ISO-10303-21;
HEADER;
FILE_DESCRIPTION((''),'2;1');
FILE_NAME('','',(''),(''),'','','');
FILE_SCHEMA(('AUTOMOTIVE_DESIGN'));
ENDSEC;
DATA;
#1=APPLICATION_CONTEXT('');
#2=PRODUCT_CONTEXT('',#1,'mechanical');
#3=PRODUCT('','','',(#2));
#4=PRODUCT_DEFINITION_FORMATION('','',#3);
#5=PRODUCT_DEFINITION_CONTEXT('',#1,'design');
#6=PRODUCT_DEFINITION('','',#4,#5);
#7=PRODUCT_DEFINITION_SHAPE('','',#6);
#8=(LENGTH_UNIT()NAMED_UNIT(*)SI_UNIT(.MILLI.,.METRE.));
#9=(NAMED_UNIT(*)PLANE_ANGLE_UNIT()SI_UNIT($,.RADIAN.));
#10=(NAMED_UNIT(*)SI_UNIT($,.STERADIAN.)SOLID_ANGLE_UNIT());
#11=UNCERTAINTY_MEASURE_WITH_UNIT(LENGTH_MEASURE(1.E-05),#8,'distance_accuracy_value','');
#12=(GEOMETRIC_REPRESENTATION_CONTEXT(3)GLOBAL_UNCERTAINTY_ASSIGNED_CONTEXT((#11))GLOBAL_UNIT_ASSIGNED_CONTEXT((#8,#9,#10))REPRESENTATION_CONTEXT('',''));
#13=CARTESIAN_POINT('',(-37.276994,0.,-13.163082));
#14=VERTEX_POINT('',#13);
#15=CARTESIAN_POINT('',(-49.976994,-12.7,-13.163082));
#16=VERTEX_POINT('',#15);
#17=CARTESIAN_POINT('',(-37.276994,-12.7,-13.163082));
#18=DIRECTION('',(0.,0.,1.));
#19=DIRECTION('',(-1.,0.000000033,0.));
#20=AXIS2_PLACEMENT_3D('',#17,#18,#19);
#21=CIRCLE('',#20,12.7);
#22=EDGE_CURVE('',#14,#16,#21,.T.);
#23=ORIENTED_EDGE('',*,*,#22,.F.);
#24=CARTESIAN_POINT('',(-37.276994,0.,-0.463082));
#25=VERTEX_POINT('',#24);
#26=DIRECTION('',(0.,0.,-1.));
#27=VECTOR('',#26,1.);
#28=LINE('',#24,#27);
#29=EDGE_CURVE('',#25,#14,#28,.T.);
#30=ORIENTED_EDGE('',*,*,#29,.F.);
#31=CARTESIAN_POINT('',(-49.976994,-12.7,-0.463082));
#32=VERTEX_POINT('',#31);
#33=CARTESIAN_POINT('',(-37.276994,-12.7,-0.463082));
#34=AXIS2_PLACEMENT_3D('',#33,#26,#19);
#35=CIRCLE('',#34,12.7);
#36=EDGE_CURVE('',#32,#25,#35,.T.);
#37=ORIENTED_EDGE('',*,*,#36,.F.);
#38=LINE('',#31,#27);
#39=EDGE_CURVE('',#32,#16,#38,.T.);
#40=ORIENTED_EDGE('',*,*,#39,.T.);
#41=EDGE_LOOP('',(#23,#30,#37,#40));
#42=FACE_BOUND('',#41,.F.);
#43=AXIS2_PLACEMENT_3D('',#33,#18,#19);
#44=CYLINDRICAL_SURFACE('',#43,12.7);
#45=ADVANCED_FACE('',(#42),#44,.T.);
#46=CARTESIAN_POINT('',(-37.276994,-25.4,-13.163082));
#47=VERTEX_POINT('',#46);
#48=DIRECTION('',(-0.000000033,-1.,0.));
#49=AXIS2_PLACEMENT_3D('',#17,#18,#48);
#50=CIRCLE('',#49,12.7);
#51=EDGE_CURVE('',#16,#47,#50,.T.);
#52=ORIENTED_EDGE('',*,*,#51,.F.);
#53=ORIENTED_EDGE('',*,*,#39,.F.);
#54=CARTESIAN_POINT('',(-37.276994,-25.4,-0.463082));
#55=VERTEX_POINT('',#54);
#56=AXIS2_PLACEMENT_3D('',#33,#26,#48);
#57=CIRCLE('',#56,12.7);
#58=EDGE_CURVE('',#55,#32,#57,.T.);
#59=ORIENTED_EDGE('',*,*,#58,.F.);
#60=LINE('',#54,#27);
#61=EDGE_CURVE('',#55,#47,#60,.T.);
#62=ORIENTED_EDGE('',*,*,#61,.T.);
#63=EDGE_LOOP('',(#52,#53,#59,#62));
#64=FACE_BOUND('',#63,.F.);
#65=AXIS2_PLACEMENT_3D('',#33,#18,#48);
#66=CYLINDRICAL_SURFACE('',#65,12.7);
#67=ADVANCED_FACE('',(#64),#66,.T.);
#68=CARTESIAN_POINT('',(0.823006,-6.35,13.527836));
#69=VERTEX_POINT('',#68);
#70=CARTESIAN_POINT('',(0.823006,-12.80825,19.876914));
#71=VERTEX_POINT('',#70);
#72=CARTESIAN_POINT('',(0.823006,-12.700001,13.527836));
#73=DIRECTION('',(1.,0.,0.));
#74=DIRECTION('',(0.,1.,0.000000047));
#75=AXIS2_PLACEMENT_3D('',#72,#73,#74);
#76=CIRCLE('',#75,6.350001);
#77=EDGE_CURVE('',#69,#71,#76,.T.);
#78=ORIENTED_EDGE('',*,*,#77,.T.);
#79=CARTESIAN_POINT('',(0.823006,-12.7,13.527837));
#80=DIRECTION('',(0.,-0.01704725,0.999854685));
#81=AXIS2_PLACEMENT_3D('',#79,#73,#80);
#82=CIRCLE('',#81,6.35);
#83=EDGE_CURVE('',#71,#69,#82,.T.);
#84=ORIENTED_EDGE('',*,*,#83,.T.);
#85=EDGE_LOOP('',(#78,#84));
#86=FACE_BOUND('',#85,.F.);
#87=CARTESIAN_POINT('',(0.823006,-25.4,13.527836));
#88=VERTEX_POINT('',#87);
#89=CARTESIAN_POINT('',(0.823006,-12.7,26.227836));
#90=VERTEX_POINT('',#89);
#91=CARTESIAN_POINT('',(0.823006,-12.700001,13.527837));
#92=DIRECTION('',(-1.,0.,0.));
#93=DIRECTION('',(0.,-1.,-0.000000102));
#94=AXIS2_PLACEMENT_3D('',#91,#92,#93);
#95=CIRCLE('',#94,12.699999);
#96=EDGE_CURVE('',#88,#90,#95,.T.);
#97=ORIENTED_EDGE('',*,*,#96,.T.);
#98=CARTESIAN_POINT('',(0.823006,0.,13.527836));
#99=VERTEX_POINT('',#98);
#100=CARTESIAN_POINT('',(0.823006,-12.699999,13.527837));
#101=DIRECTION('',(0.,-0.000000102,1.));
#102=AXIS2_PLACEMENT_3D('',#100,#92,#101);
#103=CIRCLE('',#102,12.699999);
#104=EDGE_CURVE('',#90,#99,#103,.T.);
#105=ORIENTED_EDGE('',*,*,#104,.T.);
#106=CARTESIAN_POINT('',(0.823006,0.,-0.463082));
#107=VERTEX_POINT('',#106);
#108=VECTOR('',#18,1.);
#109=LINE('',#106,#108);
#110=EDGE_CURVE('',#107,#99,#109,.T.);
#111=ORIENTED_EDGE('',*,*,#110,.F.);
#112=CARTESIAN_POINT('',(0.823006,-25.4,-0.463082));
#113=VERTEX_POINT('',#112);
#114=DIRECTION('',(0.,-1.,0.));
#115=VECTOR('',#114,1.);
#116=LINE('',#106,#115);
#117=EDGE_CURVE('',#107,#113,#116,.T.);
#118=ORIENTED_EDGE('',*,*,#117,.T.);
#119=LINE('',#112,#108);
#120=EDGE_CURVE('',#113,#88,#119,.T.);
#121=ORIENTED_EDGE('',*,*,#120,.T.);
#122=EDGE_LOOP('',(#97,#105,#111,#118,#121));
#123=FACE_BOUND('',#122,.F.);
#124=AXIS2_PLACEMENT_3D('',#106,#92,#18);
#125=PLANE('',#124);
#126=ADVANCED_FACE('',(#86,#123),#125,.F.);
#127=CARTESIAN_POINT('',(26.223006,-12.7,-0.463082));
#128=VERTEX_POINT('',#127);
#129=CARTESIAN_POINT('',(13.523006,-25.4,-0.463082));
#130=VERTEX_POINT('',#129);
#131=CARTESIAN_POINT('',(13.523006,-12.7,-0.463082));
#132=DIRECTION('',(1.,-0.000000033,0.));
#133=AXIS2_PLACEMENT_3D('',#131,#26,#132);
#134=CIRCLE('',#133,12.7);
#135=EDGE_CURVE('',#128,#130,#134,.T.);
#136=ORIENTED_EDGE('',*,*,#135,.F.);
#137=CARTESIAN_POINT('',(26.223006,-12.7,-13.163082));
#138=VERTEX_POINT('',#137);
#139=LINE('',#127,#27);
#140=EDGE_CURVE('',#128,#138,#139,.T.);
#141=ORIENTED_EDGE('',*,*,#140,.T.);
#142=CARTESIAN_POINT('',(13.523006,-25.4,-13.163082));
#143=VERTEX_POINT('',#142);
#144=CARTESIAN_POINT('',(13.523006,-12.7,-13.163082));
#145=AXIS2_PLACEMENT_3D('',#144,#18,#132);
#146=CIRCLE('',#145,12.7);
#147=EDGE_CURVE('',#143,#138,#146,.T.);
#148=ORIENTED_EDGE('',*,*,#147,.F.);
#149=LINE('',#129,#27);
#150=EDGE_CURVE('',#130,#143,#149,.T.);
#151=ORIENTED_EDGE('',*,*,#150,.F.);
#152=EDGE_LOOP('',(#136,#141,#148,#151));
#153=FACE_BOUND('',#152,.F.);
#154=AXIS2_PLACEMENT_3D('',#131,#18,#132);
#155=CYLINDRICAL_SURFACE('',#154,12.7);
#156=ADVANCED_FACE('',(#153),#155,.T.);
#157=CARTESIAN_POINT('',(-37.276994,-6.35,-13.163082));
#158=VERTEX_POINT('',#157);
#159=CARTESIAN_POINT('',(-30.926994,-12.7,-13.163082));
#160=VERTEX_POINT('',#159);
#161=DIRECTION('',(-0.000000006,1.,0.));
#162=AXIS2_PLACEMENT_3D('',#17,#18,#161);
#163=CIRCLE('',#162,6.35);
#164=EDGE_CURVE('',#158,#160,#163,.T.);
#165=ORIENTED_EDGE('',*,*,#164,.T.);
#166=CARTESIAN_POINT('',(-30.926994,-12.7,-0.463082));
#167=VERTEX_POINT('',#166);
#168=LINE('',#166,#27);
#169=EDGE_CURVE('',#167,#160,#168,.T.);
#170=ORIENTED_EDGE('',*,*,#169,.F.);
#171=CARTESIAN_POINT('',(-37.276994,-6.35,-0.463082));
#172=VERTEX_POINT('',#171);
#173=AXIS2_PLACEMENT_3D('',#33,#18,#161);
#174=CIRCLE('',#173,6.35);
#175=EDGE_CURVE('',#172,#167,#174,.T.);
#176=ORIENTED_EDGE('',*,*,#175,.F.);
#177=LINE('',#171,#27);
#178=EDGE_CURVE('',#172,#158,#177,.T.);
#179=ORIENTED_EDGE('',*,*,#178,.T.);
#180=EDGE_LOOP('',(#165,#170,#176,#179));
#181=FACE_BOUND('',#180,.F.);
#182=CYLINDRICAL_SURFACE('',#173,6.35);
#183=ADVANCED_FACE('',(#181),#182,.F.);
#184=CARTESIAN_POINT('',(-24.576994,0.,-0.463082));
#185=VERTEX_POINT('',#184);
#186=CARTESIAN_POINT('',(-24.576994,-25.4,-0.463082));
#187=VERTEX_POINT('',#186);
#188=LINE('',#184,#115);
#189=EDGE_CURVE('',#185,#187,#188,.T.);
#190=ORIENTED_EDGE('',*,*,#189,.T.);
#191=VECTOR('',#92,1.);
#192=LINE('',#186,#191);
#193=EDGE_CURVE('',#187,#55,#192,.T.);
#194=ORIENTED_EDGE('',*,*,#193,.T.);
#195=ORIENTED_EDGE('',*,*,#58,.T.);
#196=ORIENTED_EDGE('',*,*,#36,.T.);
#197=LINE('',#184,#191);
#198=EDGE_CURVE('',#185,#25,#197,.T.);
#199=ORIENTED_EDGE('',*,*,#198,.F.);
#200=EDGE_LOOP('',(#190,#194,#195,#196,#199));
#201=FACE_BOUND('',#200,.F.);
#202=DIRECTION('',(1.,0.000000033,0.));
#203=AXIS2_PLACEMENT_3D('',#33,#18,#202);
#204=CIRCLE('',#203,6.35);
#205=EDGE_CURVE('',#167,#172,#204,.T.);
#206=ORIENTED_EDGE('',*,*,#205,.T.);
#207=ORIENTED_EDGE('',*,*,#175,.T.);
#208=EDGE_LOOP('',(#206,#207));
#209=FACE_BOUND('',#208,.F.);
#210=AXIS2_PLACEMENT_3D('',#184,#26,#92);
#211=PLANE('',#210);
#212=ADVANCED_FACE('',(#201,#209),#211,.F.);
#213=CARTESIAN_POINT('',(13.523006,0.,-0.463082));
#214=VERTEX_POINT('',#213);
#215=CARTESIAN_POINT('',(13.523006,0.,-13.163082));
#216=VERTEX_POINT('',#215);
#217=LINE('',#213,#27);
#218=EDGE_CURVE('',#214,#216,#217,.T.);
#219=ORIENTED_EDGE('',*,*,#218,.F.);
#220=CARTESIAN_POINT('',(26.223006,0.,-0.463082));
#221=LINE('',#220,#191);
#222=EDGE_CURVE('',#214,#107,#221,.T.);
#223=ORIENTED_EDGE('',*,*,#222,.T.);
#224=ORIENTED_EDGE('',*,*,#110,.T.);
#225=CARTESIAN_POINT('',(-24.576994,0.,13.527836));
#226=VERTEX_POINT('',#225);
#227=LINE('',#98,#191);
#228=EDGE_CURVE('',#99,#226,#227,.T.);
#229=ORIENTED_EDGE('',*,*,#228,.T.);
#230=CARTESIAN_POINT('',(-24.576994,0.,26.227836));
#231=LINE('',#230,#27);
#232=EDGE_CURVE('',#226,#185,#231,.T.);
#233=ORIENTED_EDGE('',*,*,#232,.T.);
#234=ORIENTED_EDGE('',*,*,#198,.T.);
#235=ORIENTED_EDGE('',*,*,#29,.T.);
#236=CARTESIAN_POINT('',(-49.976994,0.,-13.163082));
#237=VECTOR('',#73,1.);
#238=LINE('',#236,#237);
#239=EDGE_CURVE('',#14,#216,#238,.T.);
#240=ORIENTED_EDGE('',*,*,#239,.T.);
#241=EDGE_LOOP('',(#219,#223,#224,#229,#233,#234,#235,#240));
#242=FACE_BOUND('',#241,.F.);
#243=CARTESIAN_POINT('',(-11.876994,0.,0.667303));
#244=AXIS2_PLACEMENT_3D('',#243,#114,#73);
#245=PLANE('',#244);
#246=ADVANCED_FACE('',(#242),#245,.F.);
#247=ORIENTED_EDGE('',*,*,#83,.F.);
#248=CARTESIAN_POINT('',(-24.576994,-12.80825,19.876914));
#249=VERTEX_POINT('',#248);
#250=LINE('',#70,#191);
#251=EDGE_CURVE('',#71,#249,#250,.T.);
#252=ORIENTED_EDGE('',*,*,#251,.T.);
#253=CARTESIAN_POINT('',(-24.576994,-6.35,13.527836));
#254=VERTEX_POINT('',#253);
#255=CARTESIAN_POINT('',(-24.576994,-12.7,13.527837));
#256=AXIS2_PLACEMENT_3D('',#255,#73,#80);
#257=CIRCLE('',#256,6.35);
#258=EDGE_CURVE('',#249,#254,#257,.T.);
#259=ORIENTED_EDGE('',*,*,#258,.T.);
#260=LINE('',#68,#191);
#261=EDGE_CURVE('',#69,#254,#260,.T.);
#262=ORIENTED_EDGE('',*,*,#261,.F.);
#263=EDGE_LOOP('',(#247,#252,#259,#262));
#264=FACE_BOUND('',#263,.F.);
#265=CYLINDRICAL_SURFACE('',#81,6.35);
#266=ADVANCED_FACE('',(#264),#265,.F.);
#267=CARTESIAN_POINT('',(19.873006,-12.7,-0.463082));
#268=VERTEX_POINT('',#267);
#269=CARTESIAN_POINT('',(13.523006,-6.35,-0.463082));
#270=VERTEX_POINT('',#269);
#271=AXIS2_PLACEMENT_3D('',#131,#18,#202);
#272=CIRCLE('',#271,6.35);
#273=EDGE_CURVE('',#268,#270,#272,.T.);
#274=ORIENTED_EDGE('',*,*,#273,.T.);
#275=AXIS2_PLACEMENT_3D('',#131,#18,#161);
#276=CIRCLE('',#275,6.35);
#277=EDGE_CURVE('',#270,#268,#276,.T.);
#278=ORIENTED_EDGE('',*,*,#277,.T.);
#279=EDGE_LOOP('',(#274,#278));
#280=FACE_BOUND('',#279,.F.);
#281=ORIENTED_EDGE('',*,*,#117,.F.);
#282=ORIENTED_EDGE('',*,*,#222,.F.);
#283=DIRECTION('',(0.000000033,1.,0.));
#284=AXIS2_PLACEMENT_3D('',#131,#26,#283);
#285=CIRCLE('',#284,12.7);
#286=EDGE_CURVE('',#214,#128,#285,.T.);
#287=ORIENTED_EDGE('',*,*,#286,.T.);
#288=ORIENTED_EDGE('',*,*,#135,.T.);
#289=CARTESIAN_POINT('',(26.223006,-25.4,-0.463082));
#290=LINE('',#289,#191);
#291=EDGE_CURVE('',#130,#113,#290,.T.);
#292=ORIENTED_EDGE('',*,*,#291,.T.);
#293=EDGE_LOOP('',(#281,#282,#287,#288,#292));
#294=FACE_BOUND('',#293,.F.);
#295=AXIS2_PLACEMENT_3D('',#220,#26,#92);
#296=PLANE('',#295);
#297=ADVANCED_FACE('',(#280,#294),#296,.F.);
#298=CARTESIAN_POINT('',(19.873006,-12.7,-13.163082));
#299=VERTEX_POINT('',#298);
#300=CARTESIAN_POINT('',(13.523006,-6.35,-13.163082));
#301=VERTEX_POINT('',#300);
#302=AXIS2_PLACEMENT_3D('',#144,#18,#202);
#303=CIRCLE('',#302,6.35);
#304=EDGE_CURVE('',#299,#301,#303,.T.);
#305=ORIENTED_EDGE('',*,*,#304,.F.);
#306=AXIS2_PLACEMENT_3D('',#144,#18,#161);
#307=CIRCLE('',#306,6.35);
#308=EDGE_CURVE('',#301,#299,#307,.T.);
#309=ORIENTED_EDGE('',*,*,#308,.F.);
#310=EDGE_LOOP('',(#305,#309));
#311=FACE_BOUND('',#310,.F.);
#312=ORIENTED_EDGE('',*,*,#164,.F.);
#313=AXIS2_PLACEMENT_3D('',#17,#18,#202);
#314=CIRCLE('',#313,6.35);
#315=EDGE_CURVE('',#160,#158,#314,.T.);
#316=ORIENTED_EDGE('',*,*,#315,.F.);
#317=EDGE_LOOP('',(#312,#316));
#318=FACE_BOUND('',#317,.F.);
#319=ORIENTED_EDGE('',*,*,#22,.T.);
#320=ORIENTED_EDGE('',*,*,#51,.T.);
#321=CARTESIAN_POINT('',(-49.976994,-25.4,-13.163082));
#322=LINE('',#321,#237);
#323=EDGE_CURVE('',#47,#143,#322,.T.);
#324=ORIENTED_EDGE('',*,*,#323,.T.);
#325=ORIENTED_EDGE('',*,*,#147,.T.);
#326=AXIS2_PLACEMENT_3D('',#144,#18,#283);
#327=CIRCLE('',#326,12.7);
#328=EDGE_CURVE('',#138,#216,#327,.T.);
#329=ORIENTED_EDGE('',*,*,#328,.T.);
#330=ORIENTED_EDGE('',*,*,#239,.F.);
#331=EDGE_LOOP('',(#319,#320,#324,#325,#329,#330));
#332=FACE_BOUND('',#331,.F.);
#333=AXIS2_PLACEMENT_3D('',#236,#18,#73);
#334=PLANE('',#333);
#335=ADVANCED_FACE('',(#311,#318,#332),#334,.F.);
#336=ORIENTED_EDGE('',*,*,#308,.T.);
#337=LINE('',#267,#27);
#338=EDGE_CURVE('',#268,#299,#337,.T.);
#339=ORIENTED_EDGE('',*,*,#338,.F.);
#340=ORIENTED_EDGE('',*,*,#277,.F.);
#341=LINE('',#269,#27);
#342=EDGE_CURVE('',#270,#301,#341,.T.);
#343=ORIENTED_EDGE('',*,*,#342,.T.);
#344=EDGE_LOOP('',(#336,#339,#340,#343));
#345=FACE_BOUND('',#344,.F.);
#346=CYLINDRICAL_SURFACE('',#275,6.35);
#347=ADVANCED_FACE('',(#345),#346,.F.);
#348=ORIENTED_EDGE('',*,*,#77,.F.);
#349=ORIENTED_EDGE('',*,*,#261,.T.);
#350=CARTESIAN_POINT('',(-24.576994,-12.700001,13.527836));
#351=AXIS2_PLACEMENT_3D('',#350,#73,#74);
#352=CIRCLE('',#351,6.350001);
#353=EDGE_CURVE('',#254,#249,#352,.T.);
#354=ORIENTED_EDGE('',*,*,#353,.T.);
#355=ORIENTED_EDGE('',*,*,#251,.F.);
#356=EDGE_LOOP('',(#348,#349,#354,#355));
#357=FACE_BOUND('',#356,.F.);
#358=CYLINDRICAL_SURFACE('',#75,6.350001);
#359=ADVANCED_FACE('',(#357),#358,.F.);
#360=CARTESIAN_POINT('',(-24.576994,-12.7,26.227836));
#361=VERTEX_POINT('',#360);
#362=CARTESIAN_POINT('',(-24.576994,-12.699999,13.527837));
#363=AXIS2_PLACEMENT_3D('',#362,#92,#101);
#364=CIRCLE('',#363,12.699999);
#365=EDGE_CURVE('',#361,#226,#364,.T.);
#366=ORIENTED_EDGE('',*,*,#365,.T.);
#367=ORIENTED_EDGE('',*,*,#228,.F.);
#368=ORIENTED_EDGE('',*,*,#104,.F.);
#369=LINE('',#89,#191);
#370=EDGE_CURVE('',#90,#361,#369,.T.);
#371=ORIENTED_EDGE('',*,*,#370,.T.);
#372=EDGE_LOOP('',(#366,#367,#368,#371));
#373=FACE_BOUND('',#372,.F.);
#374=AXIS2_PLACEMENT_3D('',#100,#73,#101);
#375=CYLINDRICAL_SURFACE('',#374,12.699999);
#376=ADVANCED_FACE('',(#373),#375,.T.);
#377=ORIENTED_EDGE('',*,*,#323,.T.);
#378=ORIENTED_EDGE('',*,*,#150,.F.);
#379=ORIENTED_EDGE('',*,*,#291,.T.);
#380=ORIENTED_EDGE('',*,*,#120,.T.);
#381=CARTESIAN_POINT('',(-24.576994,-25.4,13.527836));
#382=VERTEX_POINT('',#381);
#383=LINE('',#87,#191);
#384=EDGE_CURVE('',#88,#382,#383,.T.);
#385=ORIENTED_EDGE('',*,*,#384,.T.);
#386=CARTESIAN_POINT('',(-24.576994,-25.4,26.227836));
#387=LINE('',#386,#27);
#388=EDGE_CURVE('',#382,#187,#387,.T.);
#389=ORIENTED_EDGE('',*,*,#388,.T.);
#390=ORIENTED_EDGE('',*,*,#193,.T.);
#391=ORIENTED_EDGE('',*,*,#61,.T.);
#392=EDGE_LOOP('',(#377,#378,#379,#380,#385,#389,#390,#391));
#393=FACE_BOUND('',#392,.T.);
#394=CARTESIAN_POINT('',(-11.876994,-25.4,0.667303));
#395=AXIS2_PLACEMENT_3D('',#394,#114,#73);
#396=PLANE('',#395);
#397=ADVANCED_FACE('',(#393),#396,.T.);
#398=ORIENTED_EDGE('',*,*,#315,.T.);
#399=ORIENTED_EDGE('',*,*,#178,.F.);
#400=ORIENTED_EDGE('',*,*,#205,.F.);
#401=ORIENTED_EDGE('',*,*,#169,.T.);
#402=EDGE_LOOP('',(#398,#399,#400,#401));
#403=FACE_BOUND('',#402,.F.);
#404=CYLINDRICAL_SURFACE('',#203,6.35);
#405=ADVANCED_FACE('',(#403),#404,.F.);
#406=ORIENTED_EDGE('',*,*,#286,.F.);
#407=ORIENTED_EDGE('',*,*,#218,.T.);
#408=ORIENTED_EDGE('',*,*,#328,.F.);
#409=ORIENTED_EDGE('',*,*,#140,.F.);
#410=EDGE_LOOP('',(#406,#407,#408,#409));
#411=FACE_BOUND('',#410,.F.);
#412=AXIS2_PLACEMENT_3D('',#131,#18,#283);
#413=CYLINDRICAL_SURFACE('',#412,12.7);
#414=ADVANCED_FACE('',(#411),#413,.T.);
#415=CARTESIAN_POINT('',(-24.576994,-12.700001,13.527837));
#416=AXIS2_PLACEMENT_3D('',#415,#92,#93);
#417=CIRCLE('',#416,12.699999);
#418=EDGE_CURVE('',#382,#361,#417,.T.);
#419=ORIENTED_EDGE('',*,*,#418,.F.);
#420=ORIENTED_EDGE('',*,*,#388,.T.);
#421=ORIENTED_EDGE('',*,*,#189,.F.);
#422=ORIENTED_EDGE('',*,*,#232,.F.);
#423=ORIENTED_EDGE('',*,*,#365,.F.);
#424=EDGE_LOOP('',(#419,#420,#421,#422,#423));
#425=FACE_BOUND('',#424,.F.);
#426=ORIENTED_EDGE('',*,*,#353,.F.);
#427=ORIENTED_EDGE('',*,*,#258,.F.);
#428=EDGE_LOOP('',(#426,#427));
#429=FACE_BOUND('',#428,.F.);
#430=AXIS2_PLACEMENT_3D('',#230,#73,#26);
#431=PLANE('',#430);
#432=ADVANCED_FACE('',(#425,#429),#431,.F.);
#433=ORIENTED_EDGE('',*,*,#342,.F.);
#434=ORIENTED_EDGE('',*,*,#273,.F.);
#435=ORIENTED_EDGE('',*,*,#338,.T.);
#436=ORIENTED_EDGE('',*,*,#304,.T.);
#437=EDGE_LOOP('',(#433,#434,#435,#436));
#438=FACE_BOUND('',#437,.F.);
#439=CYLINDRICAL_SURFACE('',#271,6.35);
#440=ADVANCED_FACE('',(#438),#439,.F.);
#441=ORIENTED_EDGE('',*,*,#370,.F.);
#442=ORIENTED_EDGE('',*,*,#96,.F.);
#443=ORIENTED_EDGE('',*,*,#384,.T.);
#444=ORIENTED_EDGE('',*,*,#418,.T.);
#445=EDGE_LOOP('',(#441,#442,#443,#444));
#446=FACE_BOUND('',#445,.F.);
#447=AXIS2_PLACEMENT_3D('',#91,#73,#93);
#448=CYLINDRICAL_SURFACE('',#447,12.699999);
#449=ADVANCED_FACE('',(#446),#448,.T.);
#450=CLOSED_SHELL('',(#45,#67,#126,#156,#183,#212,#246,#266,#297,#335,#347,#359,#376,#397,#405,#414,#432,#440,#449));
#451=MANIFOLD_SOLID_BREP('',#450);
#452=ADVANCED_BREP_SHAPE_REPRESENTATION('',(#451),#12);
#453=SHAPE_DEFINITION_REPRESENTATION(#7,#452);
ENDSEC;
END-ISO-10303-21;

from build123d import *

# Parameters (mm, degrees)
F1_DEPTH  = 25.4
F3_DEPTH  = 25.4
F5_DEPTH  = 25.4
F7_DEPTH  = 25.4
F9_DEPTH  = 25.4
F11_DEPTH = 25.4
F13_DEPTH = 25.4
F15_DEPTH = 25.4


with BuildPart() as f1:
    # F0 (on Front) → F1 (new body)
    with BuildSketch(Plane.XZ):
        Polygon((-49.976994, -0.463082), (-49.976994, -13.163082), (26.223006, -13.163082), (26.223006, -0.463082), (0.823006, -0.463082), (0.823006, 26.227836), (-24.576994, 26.227836), (-24.576994, -0.463082), align=None)
    extrude(amount=F1_DEPTH)

    # F2 (on face) → F3 (cut)
    with BuildSketch(Plane.YZ.offset(0.823006)):
        with BuildLine():
            Line((-25.4, 26.227836), (-25.4, 13.527836))
            ThreePointArc((-25.4, 13.527836), (-21.680256, 22.508093), (-12.7, 26.227836))
            Line((-12.7, 26.227836), (-25.4, 26.227836))
        make_face()
        with BuildLine():
            Line((0, 26.227836), (-12.7, 26.227836))
            ThreePointArc((-12.7, 26.227836), (-3.719744, 22.508093), (0, 13.527836))
            Line((0, 13.527836), (0, 26.227836))
        make_face()
    extrude(amount=-F3_DEPTH, mode=Mode.SUBTRACT)

    # F4 (on face) → F5 (cut)
    with BuildSketch(Plane.XY.offset(-0.463082)):
        with BuildLine():
            Line((26.223006, 0), (13.523006, 0))
            ThreePointArc((13.523006, 0), (22.503262, -3.719744), (26.223006, -12.7))
            Line((26.223006, -12.7), (26.223006, 0))
        make_face()
        with BuildLine():
            Line((26.223006, -25.4), (26.223006, -12.7))
            ThreePointArc((26.223006, -12.7), (22.503262, -21.680256), (13.523006, -25.4))
            Line((13.523006, -25.4), (26.223006, -25.4))
        make_face()
    extrude(amount=-F5_DEPTH, mode=Mode.SUBTRACT)

    # F6 (on face) → F7 (cut)
    with BuildSketch(Plane.XY.offset(-0.463082)):
        with BuildLine():
            ThreePointArc((-37.276994, -25.4), (-46.25725, -21.680256), (-49.976994, -12.7))
            Line((-49.976994, -12.7), (-49.976994, -25.4))
            Line((-49.976994, -25.4), (-37.276994, -25.4))
        make_face()
    extrude(amount=-F7_DEPTH, mode=Mode.SUBTRACT)

    # F8 (on face) → F9 (cut)
    with BuildSketch(Plane.XY.offset(-0.463082)):
        with BuildLine():
            ThreePointArc((-37.276994, -25.4), (-46.25725, -21.680256), (-49.976994, -12.7))
            Line((-49.976994, -12.7), (-49.976994, -25.4))
            Line((-49.976994, -25.4), (-37.276994, -25.4))
        make_face()
        with BuildLine():
            ThreePointArc((-49.976994, -12.7), (-46.25725, -3.719744), (-37.276994, 0))
            Line((-37.276994, 0), (-49.976994, 0))
            Line((-49.976994, 0), (-49.976994, -12.7))
        make_face()
    extrude(amount=-F9_DEPTH, mode=Mode.SUBTRACT)

    # F10 (on face) → F11 (cut)
    with BuildSketch(Plane.XY.offset(-0.463082)):
        with BuildLine():
            ThreePointArc((-37.276994, -6.35), (-41.767122, -17.190128), (-30.926994, -12.7))
            ThreePointArc((-30.926994, -12.7), (-32.786866, -8.209872), (-37.276994, -6.35))
        make_face()
    extrude(amount=-F11_DEPTH, mode=Mode.SUBTRACT)

    # F12 (on face) → F13 (cut)
    with BuildSketch(Plane.XY.offset(-0.463082)):
        with BuildLine():
            ThreePointArc((13.523006, -6.35), (9.032878, -17.190128), (19.873006, -12.7))
            ThreePointArc((19.873006, -12.7), (18.013134, -8.209872), (13.523006, -6.35))
        make_face()
    extrude(amount=-F13_DEPTH, mode=Mode.SUBTRACT)

    # F14 (on face) → F15 (cut)
    with BuildSketch(Plane.YZ.offset(0.823006)):
        with BuildLine():
            ThreePointArc((-12.80825, 19.876914), (-17.151691, 8.999598), (-6.35, 13.527836))
            ThreePointArc((-6.35, 13.527836), (-8.248309, 18.056075), (-12.80825, 19.876914))
        make_face()
    extrude(amount=-F15_DEPTH, mode=Mode.SUBTRACT)


solid = f1.part
